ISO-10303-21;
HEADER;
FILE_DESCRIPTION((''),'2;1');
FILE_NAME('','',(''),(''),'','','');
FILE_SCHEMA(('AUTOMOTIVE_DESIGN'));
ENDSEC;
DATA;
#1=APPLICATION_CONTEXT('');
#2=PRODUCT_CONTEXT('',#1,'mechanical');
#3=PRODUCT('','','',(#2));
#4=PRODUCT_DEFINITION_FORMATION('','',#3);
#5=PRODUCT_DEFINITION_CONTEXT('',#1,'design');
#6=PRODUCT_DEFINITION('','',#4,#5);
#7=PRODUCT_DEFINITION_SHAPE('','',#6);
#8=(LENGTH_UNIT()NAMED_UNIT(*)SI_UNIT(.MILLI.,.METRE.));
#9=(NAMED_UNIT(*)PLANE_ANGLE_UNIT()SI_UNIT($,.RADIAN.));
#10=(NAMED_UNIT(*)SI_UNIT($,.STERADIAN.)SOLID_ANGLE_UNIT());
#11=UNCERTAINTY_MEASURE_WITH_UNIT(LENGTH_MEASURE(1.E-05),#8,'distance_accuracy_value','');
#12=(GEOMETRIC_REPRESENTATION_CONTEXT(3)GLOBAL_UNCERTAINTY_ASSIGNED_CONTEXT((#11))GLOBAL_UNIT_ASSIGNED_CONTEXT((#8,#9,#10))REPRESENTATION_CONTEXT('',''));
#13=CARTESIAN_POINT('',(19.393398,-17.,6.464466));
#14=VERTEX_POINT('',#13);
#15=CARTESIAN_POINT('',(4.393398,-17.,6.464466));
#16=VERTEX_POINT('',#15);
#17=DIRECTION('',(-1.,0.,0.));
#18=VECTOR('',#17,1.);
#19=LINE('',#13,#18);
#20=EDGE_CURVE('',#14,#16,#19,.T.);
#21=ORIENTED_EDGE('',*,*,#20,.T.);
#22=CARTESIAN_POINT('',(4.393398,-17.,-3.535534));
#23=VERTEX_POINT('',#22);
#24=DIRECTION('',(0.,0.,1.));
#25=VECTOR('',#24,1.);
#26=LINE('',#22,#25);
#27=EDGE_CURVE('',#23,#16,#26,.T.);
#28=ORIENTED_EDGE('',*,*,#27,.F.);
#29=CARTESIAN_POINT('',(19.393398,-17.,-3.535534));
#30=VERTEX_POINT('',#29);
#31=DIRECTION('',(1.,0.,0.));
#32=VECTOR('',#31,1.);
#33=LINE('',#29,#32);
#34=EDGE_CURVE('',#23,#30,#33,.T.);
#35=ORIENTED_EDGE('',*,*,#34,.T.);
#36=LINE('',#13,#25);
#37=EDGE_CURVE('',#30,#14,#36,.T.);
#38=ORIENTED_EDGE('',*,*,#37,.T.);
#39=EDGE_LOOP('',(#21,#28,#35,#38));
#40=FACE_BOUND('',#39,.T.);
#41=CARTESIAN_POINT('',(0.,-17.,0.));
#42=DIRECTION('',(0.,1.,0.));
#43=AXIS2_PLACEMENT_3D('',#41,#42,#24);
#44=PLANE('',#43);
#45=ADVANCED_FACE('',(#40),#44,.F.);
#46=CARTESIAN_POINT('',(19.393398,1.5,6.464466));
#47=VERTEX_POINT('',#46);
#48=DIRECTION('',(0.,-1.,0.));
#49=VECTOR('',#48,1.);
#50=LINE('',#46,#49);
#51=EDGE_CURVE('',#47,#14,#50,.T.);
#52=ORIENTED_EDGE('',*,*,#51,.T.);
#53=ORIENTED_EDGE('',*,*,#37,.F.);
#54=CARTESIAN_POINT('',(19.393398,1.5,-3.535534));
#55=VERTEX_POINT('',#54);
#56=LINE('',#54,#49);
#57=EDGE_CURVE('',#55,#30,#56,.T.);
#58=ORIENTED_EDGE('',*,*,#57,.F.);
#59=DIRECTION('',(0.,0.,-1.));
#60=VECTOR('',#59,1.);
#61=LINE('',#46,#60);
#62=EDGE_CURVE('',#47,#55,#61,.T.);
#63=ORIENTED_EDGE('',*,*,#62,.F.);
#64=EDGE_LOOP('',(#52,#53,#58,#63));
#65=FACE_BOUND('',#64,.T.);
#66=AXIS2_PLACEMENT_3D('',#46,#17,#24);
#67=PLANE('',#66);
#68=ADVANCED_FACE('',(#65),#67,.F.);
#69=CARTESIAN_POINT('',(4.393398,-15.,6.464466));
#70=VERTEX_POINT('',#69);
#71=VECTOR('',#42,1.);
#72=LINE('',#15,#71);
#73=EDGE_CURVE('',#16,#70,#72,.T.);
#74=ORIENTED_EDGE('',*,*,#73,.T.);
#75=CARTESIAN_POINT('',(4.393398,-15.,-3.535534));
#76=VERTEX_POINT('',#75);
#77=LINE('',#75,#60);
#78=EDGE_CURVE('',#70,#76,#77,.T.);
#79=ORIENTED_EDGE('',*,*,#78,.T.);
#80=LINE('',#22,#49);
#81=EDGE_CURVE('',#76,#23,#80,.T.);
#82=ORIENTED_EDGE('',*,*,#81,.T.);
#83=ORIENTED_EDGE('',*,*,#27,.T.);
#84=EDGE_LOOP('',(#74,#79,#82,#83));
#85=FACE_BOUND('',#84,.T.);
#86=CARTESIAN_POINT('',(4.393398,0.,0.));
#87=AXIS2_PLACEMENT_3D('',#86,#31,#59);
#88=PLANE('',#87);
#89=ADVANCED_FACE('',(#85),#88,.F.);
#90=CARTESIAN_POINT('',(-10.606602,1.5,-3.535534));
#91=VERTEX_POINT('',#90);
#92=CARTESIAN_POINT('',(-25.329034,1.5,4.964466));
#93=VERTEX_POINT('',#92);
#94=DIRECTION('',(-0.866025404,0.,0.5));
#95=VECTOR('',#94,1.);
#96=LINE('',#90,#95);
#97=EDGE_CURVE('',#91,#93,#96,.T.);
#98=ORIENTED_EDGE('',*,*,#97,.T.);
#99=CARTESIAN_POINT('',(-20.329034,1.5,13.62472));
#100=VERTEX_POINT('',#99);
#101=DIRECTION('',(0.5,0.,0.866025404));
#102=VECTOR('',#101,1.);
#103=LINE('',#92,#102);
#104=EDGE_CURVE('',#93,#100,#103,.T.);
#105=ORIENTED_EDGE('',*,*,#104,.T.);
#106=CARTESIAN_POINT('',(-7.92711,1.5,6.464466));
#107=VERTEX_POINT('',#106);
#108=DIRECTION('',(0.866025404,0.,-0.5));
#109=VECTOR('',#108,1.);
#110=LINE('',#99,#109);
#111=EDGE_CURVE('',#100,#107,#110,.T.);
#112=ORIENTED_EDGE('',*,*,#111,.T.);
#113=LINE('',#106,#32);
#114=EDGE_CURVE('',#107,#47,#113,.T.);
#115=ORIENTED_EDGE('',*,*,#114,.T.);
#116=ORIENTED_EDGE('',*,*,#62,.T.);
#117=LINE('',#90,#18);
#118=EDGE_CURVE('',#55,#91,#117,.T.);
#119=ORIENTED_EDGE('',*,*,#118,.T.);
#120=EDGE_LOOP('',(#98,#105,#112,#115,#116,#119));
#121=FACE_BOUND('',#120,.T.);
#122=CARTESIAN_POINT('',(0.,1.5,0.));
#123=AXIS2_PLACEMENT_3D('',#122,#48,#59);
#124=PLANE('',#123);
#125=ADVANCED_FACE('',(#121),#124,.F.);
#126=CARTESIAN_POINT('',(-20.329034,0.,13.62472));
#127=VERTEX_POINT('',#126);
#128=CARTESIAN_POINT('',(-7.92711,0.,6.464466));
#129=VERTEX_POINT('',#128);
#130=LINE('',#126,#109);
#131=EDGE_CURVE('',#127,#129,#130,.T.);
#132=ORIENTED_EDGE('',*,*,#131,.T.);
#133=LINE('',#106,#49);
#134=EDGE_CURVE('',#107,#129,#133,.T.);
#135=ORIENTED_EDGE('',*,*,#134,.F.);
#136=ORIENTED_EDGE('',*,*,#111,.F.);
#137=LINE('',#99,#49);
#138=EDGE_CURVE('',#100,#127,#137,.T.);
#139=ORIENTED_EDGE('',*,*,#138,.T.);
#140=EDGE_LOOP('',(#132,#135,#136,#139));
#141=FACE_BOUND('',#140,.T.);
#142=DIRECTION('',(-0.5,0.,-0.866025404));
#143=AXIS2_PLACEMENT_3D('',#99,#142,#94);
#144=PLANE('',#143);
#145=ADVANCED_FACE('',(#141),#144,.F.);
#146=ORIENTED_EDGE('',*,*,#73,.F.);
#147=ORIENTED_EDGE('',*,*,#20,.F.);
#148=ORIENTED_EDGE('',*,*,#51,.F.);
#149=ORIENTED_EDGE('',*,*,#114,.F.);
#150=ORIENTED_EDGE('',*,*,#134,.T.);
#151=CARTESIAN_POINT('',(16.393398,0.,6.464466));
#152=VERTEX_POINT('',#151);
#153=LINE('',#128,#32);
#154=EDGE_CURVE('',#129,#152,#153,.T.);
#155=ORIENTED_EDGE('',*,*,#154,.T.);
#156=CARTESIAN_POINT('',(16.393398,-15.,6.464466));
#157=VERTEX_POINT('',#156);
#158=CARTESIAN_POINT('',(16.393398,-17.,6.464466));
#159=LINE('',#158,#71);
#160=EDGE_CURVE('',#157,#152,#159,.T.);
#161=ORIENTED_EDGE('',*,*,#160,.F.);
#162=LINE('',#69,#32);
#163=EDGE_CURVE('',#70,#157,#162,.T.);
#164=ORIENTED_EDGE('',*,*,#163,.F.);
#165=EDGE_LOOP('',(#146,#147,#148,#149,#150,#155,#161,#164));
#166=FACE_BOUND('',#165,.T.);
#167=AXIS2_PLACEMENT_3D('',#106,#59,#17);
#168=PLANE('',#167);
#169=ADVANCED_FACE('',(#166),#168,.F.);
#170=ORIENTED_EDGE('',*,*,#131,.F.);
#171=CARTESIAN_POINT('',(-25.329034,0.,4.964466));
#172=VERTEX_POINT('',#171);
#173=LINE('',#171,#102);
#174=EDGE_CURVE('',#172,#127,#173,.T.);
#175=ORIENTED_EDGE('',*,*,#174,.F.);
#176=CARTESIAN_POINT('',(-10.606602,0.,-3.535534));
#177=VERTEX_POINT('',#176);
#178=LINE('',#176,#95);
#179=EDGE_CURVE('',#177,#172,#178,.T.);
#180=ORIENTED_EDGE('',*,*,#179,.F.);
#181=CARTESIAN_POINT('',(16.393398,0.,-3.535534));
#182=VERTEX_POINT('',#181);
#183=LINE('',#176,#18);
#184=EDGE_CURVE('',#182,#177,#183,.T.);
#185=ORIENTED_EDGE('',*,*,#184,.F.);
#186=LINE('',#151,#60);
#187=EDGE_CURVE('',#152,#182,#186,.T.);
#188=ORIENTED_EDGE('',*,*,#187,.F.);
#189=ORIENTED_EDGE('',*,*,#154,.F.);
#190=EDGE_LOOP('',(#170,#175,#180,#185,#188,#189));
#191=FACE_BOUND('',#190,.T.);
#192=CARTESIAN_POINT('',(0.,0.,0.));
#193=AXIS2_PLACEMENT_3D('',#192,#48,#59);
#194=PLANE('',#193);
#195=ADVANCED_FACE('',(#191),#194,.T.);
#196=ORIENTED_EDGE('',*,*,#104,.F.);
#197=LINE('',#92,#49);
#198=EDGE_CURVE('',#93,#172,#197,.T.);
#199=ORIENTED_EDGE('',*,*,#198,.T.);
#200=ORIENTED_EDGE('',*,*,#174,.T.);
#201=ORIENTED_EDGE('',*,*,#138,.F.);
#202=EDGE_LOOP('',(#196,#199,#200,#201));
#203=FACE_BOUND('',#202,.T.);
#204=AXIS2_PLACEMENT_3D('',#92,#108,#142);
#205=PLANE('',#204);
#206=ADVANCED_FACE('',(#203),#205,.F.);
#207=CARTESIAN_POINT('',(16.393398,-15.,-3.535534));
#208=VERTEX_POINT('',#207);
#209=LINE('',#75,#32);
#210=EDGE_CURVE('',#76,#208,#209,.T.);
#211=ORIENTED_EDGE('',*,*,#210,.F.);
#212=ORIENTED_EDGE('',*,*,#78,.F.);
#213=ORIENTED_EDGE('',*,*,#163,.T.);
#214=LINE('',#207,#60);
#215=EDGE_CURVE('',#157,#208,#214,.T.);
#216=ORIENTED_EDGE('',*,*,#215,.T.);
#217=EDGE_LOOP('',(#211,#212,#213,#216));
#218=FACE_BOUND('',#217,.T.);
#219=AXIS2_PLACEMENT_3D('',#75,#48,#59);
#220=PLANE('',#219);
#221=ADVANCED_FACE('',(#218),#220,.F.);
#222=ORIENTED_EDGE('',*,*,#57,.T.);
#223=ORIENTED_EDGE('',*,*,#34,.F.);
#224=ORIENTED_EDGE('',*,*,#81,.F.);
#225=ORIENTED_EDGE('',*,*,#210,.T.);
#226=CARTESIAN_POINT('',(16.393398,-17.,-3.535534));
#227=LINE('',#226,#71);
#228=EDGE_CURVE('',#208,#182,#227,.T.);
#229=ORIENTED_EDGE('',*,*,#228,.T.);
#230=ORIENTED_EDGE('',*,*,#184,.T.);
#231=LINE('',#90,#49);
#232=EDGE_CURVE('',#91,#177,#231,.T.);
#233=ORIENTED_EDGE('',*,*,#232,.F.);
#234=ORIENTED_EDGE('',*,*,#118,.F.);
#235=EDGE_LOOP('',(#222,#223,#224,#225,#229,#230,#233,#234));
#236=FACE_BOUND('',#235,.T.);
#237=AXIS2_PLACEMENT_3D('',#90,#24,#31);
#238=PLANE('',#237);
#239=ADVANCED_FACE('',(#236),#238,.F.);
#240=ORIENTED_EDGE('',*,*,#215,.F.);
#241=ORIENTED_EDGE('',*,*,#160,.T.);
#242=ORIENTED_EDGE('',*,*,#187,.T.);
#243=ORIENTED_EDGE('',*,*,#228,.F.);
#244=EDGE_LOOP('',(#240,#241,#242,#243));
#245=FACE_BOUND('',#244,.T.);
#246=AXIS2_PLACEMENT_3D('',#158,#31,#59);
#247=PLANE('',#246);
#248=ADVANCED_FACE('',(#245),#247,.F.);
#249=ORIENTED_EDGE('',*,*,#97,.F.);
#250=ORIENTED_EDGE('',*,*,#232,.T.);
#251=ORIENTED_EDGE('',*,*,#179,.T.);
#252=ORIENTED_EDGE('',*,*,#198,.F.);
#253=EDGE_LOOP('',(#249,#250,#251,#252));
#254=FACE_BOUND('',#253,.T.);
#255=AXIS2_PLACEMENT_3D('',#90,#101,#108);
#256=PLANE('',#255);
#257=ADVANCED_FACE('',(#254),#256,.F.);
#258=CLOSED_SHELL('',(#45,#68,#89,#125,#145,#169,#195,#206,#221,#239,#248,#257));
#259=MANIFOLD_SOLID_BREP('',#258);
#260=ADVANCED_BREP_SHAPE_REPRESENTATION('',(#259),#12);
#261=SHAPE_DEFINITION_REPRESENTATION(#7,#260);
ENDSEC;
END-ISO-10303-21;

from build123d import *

# Parameters (mm, degrees)
BOSS_EXTRUDE1_DEPTH = 1.5
SKETCH2_W           = 3
SKETCH2_H           = 10
BOSS_EXTRUDE2_DEPTH = 17
SKETCH3_W           = 10
SKETCH3_H           = 2
BOSS_EXTRUDE3_DEPTH = 12


with BuildPart() as part:
    # Sketch1 → Boss-Extrude1 (new body)
    with BuildSketch(Plane(origin=(0, 0, 0), x_dir=(1, 0, 0), z_dir=(0, 1, 0))):
        Polygon((-10.606601718, 3.535533906), (-25.329033582, -4.964466094), (-20.329033582, -13.624720132), (-7.927109793, -6.464466094), (19.393398282, -6.464466094), (19.393398282, 3.535533906), align=None)
    extrude(amount=BOSS_EXTRUDE1_DEPTH)

    # Sketch2 → Boss-Extrude2 (add)
    with BuildSketch(Plane.XZ):
        with Locations((17.893398282, 1.464466094)):
            Rectangle(SKETCH2_W, SKETCH2_H)
    extrude(amount=BOSS_EXTRUDE2_DEPTH)

    # Sketch3 → Boss-Extrude3 (add)
    with BuildSketch(Plane.ZY.offset(-16.393398282)):
        with Locations((1.464466094, -16)):
            Rectangle(SKETCH3_W, SKETCH3_H)
    extrude(amount=BOSS_EXTRUDE3_DEPTH)


solid = part.part
